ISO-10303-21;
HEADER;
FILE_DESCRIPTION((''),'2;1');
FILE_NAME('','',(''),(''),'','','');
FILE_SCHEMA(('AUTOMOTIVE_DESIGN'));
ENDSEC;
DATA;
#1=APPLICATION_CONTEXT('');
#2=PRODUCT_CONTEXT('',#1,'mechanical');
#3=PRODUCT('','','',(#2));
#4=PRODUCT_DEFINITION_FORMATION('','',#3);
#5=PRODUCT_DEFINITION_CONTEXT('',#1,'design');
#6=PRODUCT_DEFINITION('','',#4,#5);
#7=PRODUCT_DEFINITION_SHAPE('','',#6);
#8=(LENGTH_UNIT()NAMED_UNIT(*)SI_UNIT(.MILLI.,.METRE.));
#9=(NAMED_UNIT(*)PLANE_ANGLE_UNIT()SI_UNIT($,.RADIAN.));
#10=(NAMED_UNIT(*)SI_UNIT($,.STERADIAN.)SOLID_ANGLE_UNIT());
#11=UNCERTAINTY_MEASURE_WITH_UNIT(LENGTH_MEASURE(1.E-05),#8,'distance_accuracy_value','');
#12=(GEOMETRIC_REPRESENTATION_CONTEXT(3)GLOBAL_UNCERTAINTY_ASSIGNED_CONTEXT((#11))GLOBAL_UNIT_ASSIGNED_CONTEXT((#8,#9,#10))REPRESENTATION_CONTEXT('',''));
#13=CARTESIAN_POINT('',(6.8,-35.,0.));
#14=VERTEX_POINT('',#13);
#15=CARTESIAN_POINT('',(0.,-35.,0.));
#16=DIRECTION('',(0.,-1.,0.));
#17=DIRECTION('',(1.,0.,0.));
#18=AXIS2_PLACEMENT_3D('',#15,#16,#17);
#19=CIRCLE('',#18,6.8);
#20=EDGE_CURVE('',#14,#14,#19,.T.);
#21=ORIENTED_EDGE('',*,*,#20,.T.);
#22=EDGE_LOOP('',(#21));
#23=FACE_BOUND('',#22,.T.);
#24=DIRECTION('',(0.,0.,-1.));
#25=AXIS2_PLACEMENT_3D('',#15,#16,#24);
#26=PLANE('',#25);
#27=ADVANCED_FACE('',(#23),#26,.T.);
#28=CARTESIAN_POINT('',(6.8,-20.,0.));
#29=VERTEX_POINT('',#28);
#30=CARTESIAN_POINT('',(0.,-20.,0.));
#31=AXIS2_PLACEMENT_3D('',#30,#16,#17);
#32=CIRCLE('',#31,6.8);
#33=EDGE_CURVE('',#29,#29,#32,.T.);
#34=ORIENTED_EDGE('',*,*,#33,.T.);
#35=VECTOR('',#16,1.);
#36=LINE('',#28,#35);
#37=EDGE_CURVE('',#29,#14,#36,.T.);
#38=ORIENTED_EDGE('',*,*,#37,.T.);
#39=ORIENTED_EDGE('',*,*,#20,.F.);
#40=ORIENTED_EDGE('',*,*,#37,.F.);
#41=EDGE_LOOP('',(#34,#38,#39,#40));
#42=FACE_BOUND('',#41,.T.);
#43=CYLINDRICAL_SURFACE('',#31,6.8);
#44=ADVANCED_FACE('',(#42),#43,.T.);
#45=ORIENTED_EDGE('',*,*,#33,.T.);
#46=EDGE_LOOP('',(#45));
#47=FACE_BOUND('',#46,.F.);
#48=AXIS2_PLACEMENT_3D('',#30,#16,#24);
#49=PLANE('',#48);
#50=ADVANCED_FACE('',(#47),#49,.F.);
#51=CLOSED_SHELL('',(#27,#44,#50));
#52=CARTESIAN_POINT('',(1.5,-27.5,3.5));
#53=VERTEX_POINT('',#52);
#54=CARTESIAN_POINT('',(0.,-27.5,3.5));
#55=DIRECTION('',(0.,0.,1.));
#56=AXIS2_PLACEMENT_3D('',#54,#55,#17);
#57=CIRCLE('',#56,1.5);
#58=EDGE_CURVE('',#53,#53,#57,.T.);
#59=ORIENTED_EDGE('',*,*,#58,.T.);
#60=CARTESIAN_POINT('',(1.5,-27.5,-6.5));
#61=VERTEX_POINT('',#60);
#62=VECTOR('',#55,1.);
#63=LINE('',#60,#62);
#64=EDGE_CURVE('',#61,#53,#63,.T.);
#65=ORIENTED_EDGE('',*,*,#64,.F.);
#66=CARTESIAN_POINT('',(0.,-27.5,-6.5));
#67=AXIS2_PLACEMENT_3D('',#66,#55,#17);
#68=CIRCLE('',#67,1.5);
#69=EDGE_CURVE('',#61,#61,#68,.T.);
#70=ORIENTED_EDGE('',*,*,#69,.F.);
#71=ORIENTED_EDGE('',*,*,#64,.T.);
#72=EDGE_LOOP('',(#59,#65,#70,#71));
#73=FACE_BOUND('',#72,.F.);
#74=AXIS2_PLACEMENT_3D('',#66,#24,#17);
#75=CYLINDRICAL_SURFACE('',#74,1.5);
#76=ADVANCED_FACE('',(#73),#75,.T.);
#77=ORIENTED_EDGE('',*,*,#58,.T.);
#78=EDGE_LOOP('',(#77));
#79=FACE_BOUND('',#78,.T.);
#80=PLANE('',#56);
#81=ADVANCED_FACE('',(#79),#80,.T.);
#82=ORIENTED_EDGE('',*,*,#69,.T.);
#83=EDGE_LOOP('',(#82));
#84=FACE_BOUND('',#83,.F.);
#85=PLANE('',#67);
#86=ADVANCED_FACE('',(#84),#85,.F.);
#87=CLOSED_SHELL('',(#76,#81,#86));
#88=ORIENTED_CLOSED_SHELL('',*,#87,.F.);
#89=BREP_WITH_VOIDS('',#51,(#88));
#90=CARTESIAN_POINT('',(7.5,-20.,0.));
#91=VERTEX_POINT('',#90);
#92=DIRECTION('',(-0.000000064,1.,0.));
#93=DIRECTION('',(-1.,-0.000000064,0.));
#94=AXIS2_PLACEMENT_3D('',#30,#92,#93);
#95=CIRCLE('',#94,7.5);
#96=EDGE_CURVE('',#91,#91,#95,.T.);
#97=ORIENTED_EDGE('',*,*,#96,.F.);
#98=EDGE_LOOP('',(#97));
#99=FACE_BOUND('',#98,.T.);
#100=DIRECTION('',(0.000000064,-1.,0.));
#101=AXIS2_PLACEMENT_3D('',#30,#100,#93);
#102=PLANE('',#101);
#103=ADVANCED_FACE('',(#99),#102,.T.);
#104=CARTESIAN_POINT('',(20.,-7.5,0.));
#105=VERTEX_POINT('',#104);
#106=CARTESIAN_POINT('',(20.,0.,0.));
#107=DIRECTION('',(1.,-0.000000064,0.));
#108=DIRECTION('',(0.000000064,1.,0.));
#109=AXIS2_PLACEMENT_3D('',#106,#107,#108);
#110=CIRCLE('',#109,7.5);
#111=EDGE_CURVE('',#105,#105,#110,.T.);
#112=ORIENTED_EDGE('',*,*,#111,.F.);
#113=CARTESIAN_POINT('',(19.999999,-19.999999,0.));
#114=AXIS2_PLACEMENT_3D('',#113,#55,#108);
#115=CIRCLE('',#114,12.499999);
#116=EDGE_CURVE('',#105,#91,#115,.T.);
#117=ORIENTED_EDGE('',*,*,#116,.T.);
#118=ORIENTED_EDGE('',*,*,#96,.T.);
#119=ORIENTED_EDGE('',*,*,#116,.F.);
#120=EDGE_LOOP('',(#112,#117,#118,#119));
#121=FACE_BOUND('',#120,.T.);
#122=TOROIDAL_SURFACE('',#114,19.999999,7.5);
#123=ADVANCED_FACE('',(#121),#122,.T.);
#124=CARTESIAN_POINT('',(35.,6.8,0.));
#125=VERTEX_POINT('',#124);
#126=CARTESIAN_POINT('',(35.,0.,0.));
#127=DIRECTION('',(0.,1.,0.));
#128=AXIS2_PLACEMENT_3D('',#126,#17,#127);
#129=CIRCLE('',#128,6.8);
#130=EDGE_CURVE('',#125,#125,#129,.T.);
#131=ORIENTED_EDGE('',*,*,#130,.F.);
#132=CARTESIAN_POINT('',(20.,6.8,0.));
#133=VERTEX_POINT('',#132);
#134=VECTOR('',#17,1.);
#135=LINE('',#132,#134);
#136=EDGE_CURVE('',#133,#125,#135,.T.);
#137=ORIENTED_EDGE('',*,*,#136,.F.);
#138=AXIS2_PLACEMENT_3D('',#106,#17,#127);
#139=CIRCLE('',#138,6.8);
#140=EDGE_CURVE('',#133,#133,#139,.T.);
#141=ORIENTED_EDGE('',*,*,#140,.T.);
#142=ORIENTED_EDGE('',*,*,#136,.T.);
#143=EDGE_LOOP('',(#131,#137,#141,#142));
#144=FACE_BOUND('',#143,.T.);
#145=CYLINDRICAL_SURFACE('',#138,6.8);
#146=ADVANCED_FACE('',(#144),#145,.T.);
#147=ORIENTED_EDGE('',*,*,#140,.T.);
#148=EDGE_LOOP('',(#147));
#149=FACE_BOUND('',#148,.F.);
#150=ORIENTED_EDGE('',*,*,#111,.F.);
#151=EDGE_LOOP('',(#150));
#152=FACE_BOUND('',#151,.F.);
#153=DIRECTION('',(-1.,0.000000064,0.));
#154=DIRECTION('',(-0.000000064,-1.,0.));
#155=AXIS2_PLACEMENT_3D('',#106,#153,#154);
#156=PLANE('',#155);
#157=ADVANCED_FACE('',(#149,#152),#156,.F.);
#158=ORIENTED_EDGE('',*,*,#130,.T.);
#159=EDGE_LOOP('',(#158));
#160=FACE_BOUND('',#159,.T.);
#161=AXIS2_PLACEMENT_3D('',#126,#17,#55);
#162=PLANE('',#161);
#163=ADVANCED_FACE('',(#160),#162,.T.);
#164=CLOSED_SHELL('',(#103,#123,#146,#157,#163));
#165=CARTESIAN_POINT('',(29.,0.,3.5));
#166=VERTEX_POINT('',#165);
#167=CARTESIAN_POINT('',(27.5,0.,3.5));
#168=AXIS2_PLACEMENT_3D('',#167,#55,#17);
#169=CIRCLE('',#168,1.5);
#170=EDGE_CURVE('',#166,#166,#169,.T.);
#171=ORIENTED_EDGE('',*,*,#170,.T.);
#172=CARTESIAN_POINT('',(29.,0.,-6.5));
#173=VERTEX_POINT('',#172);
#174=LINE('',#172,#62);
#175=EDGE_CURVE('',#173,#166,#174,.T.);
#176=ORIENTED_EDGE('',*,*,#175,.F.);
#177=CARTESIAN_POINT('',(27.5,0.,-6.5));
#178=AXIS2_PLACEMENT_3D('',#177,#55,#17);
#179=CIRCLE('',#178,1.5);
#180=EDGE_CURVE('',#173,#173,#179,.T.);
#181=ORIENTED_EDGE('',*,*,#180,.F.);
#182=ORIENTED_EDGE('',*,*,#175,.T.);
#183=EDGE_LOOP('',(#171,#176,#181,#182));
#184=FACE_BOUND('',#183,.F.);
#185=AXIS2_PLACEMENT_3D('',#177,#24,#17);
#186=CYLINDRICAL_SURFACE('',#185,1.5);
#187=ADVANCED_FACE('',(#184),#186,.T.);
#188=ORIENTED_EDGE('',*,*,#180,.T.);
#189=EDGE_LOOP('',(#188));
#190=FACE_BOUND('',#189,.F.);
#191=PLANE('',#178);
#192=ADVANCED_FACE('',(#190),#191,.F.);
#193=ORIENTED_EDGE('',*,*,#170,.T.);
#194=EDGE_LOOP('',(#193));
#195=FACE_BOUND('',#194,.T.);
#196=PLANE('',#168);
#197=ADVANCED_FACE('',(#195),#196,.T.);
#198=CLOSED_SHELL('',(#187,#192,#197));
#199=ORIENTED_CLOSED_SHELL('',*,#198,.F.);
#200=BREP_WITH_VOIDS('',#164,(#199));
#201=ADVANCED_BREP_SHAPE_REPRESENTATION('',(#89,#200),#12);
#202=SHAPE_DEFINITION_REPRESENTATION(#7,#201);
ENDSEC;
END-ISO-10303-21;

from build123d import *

# Parameters (mm, degrees)
F3_R      = 7.5
F4_R      = 6.8
F7_R      = 6.8
F12_R     = 1.5
F13_DEPTH = 10


with BuildPart() as f8:
    # F8: sweep along a path in F0
    with BuildLine(Plane.XY) as f8_path:
        ThreePointArc((20, 0), (5.857864, -5.857864), (0, -20))
    # F3 (on offset) → F8 (sweep)
    with BuildSketch(Plane.XZ.offset(20)):
        Circle(F3_R)
    sweep(path=f8_path.line)

    # F10: sweep along a path in F0
    with BuildLine(Plane.XY) as f10_path:
        Line((20, 0), (35, 0))
    # F7 (on offset) → F10 (sweep)
    with BuildSketch(Plane.YZ.offset(35)):
        Circle(F7_R)
    sweep(path=f10_path.line)


with BuildPart() as f9:
    # F9: sweep along a path in F0
    with BuildLine(Plane.XY) as f9_path:
        Line((0, -20), (0, -35))
    # F4 (on offset) → F9 (sweep)
    with BuildSketch(Plane.XZ.offset(35)):
        Circle(F4_R)
    sweep(path=f9_path.line)


with BuildPart() as f13_tool:
    # F12 (on offset) → F13 (new body)
    with BuildSketch(Plane.XY.offset(-6.5)):
        with Locations((0, -27.5)):
            Circle(F12_R)
        with Locations((27.5, 0)):
            Circle(F12_R)
    extrude(amount=F13_DEPTH)


with BuildPart() as f8_1:
    add(f8.part)

    # F13: cut by f13_tool
    add(f13_tool.part, mode=Mode.SUBTRACT)


with BuildPart() as f9_1:
    add(f9.part)

    # F13: cut by f13_tool
    add(f13_tool.part, mode=Mode.SUBTRACT)


solid = Compound([f8_1.part, f9_1.part])
